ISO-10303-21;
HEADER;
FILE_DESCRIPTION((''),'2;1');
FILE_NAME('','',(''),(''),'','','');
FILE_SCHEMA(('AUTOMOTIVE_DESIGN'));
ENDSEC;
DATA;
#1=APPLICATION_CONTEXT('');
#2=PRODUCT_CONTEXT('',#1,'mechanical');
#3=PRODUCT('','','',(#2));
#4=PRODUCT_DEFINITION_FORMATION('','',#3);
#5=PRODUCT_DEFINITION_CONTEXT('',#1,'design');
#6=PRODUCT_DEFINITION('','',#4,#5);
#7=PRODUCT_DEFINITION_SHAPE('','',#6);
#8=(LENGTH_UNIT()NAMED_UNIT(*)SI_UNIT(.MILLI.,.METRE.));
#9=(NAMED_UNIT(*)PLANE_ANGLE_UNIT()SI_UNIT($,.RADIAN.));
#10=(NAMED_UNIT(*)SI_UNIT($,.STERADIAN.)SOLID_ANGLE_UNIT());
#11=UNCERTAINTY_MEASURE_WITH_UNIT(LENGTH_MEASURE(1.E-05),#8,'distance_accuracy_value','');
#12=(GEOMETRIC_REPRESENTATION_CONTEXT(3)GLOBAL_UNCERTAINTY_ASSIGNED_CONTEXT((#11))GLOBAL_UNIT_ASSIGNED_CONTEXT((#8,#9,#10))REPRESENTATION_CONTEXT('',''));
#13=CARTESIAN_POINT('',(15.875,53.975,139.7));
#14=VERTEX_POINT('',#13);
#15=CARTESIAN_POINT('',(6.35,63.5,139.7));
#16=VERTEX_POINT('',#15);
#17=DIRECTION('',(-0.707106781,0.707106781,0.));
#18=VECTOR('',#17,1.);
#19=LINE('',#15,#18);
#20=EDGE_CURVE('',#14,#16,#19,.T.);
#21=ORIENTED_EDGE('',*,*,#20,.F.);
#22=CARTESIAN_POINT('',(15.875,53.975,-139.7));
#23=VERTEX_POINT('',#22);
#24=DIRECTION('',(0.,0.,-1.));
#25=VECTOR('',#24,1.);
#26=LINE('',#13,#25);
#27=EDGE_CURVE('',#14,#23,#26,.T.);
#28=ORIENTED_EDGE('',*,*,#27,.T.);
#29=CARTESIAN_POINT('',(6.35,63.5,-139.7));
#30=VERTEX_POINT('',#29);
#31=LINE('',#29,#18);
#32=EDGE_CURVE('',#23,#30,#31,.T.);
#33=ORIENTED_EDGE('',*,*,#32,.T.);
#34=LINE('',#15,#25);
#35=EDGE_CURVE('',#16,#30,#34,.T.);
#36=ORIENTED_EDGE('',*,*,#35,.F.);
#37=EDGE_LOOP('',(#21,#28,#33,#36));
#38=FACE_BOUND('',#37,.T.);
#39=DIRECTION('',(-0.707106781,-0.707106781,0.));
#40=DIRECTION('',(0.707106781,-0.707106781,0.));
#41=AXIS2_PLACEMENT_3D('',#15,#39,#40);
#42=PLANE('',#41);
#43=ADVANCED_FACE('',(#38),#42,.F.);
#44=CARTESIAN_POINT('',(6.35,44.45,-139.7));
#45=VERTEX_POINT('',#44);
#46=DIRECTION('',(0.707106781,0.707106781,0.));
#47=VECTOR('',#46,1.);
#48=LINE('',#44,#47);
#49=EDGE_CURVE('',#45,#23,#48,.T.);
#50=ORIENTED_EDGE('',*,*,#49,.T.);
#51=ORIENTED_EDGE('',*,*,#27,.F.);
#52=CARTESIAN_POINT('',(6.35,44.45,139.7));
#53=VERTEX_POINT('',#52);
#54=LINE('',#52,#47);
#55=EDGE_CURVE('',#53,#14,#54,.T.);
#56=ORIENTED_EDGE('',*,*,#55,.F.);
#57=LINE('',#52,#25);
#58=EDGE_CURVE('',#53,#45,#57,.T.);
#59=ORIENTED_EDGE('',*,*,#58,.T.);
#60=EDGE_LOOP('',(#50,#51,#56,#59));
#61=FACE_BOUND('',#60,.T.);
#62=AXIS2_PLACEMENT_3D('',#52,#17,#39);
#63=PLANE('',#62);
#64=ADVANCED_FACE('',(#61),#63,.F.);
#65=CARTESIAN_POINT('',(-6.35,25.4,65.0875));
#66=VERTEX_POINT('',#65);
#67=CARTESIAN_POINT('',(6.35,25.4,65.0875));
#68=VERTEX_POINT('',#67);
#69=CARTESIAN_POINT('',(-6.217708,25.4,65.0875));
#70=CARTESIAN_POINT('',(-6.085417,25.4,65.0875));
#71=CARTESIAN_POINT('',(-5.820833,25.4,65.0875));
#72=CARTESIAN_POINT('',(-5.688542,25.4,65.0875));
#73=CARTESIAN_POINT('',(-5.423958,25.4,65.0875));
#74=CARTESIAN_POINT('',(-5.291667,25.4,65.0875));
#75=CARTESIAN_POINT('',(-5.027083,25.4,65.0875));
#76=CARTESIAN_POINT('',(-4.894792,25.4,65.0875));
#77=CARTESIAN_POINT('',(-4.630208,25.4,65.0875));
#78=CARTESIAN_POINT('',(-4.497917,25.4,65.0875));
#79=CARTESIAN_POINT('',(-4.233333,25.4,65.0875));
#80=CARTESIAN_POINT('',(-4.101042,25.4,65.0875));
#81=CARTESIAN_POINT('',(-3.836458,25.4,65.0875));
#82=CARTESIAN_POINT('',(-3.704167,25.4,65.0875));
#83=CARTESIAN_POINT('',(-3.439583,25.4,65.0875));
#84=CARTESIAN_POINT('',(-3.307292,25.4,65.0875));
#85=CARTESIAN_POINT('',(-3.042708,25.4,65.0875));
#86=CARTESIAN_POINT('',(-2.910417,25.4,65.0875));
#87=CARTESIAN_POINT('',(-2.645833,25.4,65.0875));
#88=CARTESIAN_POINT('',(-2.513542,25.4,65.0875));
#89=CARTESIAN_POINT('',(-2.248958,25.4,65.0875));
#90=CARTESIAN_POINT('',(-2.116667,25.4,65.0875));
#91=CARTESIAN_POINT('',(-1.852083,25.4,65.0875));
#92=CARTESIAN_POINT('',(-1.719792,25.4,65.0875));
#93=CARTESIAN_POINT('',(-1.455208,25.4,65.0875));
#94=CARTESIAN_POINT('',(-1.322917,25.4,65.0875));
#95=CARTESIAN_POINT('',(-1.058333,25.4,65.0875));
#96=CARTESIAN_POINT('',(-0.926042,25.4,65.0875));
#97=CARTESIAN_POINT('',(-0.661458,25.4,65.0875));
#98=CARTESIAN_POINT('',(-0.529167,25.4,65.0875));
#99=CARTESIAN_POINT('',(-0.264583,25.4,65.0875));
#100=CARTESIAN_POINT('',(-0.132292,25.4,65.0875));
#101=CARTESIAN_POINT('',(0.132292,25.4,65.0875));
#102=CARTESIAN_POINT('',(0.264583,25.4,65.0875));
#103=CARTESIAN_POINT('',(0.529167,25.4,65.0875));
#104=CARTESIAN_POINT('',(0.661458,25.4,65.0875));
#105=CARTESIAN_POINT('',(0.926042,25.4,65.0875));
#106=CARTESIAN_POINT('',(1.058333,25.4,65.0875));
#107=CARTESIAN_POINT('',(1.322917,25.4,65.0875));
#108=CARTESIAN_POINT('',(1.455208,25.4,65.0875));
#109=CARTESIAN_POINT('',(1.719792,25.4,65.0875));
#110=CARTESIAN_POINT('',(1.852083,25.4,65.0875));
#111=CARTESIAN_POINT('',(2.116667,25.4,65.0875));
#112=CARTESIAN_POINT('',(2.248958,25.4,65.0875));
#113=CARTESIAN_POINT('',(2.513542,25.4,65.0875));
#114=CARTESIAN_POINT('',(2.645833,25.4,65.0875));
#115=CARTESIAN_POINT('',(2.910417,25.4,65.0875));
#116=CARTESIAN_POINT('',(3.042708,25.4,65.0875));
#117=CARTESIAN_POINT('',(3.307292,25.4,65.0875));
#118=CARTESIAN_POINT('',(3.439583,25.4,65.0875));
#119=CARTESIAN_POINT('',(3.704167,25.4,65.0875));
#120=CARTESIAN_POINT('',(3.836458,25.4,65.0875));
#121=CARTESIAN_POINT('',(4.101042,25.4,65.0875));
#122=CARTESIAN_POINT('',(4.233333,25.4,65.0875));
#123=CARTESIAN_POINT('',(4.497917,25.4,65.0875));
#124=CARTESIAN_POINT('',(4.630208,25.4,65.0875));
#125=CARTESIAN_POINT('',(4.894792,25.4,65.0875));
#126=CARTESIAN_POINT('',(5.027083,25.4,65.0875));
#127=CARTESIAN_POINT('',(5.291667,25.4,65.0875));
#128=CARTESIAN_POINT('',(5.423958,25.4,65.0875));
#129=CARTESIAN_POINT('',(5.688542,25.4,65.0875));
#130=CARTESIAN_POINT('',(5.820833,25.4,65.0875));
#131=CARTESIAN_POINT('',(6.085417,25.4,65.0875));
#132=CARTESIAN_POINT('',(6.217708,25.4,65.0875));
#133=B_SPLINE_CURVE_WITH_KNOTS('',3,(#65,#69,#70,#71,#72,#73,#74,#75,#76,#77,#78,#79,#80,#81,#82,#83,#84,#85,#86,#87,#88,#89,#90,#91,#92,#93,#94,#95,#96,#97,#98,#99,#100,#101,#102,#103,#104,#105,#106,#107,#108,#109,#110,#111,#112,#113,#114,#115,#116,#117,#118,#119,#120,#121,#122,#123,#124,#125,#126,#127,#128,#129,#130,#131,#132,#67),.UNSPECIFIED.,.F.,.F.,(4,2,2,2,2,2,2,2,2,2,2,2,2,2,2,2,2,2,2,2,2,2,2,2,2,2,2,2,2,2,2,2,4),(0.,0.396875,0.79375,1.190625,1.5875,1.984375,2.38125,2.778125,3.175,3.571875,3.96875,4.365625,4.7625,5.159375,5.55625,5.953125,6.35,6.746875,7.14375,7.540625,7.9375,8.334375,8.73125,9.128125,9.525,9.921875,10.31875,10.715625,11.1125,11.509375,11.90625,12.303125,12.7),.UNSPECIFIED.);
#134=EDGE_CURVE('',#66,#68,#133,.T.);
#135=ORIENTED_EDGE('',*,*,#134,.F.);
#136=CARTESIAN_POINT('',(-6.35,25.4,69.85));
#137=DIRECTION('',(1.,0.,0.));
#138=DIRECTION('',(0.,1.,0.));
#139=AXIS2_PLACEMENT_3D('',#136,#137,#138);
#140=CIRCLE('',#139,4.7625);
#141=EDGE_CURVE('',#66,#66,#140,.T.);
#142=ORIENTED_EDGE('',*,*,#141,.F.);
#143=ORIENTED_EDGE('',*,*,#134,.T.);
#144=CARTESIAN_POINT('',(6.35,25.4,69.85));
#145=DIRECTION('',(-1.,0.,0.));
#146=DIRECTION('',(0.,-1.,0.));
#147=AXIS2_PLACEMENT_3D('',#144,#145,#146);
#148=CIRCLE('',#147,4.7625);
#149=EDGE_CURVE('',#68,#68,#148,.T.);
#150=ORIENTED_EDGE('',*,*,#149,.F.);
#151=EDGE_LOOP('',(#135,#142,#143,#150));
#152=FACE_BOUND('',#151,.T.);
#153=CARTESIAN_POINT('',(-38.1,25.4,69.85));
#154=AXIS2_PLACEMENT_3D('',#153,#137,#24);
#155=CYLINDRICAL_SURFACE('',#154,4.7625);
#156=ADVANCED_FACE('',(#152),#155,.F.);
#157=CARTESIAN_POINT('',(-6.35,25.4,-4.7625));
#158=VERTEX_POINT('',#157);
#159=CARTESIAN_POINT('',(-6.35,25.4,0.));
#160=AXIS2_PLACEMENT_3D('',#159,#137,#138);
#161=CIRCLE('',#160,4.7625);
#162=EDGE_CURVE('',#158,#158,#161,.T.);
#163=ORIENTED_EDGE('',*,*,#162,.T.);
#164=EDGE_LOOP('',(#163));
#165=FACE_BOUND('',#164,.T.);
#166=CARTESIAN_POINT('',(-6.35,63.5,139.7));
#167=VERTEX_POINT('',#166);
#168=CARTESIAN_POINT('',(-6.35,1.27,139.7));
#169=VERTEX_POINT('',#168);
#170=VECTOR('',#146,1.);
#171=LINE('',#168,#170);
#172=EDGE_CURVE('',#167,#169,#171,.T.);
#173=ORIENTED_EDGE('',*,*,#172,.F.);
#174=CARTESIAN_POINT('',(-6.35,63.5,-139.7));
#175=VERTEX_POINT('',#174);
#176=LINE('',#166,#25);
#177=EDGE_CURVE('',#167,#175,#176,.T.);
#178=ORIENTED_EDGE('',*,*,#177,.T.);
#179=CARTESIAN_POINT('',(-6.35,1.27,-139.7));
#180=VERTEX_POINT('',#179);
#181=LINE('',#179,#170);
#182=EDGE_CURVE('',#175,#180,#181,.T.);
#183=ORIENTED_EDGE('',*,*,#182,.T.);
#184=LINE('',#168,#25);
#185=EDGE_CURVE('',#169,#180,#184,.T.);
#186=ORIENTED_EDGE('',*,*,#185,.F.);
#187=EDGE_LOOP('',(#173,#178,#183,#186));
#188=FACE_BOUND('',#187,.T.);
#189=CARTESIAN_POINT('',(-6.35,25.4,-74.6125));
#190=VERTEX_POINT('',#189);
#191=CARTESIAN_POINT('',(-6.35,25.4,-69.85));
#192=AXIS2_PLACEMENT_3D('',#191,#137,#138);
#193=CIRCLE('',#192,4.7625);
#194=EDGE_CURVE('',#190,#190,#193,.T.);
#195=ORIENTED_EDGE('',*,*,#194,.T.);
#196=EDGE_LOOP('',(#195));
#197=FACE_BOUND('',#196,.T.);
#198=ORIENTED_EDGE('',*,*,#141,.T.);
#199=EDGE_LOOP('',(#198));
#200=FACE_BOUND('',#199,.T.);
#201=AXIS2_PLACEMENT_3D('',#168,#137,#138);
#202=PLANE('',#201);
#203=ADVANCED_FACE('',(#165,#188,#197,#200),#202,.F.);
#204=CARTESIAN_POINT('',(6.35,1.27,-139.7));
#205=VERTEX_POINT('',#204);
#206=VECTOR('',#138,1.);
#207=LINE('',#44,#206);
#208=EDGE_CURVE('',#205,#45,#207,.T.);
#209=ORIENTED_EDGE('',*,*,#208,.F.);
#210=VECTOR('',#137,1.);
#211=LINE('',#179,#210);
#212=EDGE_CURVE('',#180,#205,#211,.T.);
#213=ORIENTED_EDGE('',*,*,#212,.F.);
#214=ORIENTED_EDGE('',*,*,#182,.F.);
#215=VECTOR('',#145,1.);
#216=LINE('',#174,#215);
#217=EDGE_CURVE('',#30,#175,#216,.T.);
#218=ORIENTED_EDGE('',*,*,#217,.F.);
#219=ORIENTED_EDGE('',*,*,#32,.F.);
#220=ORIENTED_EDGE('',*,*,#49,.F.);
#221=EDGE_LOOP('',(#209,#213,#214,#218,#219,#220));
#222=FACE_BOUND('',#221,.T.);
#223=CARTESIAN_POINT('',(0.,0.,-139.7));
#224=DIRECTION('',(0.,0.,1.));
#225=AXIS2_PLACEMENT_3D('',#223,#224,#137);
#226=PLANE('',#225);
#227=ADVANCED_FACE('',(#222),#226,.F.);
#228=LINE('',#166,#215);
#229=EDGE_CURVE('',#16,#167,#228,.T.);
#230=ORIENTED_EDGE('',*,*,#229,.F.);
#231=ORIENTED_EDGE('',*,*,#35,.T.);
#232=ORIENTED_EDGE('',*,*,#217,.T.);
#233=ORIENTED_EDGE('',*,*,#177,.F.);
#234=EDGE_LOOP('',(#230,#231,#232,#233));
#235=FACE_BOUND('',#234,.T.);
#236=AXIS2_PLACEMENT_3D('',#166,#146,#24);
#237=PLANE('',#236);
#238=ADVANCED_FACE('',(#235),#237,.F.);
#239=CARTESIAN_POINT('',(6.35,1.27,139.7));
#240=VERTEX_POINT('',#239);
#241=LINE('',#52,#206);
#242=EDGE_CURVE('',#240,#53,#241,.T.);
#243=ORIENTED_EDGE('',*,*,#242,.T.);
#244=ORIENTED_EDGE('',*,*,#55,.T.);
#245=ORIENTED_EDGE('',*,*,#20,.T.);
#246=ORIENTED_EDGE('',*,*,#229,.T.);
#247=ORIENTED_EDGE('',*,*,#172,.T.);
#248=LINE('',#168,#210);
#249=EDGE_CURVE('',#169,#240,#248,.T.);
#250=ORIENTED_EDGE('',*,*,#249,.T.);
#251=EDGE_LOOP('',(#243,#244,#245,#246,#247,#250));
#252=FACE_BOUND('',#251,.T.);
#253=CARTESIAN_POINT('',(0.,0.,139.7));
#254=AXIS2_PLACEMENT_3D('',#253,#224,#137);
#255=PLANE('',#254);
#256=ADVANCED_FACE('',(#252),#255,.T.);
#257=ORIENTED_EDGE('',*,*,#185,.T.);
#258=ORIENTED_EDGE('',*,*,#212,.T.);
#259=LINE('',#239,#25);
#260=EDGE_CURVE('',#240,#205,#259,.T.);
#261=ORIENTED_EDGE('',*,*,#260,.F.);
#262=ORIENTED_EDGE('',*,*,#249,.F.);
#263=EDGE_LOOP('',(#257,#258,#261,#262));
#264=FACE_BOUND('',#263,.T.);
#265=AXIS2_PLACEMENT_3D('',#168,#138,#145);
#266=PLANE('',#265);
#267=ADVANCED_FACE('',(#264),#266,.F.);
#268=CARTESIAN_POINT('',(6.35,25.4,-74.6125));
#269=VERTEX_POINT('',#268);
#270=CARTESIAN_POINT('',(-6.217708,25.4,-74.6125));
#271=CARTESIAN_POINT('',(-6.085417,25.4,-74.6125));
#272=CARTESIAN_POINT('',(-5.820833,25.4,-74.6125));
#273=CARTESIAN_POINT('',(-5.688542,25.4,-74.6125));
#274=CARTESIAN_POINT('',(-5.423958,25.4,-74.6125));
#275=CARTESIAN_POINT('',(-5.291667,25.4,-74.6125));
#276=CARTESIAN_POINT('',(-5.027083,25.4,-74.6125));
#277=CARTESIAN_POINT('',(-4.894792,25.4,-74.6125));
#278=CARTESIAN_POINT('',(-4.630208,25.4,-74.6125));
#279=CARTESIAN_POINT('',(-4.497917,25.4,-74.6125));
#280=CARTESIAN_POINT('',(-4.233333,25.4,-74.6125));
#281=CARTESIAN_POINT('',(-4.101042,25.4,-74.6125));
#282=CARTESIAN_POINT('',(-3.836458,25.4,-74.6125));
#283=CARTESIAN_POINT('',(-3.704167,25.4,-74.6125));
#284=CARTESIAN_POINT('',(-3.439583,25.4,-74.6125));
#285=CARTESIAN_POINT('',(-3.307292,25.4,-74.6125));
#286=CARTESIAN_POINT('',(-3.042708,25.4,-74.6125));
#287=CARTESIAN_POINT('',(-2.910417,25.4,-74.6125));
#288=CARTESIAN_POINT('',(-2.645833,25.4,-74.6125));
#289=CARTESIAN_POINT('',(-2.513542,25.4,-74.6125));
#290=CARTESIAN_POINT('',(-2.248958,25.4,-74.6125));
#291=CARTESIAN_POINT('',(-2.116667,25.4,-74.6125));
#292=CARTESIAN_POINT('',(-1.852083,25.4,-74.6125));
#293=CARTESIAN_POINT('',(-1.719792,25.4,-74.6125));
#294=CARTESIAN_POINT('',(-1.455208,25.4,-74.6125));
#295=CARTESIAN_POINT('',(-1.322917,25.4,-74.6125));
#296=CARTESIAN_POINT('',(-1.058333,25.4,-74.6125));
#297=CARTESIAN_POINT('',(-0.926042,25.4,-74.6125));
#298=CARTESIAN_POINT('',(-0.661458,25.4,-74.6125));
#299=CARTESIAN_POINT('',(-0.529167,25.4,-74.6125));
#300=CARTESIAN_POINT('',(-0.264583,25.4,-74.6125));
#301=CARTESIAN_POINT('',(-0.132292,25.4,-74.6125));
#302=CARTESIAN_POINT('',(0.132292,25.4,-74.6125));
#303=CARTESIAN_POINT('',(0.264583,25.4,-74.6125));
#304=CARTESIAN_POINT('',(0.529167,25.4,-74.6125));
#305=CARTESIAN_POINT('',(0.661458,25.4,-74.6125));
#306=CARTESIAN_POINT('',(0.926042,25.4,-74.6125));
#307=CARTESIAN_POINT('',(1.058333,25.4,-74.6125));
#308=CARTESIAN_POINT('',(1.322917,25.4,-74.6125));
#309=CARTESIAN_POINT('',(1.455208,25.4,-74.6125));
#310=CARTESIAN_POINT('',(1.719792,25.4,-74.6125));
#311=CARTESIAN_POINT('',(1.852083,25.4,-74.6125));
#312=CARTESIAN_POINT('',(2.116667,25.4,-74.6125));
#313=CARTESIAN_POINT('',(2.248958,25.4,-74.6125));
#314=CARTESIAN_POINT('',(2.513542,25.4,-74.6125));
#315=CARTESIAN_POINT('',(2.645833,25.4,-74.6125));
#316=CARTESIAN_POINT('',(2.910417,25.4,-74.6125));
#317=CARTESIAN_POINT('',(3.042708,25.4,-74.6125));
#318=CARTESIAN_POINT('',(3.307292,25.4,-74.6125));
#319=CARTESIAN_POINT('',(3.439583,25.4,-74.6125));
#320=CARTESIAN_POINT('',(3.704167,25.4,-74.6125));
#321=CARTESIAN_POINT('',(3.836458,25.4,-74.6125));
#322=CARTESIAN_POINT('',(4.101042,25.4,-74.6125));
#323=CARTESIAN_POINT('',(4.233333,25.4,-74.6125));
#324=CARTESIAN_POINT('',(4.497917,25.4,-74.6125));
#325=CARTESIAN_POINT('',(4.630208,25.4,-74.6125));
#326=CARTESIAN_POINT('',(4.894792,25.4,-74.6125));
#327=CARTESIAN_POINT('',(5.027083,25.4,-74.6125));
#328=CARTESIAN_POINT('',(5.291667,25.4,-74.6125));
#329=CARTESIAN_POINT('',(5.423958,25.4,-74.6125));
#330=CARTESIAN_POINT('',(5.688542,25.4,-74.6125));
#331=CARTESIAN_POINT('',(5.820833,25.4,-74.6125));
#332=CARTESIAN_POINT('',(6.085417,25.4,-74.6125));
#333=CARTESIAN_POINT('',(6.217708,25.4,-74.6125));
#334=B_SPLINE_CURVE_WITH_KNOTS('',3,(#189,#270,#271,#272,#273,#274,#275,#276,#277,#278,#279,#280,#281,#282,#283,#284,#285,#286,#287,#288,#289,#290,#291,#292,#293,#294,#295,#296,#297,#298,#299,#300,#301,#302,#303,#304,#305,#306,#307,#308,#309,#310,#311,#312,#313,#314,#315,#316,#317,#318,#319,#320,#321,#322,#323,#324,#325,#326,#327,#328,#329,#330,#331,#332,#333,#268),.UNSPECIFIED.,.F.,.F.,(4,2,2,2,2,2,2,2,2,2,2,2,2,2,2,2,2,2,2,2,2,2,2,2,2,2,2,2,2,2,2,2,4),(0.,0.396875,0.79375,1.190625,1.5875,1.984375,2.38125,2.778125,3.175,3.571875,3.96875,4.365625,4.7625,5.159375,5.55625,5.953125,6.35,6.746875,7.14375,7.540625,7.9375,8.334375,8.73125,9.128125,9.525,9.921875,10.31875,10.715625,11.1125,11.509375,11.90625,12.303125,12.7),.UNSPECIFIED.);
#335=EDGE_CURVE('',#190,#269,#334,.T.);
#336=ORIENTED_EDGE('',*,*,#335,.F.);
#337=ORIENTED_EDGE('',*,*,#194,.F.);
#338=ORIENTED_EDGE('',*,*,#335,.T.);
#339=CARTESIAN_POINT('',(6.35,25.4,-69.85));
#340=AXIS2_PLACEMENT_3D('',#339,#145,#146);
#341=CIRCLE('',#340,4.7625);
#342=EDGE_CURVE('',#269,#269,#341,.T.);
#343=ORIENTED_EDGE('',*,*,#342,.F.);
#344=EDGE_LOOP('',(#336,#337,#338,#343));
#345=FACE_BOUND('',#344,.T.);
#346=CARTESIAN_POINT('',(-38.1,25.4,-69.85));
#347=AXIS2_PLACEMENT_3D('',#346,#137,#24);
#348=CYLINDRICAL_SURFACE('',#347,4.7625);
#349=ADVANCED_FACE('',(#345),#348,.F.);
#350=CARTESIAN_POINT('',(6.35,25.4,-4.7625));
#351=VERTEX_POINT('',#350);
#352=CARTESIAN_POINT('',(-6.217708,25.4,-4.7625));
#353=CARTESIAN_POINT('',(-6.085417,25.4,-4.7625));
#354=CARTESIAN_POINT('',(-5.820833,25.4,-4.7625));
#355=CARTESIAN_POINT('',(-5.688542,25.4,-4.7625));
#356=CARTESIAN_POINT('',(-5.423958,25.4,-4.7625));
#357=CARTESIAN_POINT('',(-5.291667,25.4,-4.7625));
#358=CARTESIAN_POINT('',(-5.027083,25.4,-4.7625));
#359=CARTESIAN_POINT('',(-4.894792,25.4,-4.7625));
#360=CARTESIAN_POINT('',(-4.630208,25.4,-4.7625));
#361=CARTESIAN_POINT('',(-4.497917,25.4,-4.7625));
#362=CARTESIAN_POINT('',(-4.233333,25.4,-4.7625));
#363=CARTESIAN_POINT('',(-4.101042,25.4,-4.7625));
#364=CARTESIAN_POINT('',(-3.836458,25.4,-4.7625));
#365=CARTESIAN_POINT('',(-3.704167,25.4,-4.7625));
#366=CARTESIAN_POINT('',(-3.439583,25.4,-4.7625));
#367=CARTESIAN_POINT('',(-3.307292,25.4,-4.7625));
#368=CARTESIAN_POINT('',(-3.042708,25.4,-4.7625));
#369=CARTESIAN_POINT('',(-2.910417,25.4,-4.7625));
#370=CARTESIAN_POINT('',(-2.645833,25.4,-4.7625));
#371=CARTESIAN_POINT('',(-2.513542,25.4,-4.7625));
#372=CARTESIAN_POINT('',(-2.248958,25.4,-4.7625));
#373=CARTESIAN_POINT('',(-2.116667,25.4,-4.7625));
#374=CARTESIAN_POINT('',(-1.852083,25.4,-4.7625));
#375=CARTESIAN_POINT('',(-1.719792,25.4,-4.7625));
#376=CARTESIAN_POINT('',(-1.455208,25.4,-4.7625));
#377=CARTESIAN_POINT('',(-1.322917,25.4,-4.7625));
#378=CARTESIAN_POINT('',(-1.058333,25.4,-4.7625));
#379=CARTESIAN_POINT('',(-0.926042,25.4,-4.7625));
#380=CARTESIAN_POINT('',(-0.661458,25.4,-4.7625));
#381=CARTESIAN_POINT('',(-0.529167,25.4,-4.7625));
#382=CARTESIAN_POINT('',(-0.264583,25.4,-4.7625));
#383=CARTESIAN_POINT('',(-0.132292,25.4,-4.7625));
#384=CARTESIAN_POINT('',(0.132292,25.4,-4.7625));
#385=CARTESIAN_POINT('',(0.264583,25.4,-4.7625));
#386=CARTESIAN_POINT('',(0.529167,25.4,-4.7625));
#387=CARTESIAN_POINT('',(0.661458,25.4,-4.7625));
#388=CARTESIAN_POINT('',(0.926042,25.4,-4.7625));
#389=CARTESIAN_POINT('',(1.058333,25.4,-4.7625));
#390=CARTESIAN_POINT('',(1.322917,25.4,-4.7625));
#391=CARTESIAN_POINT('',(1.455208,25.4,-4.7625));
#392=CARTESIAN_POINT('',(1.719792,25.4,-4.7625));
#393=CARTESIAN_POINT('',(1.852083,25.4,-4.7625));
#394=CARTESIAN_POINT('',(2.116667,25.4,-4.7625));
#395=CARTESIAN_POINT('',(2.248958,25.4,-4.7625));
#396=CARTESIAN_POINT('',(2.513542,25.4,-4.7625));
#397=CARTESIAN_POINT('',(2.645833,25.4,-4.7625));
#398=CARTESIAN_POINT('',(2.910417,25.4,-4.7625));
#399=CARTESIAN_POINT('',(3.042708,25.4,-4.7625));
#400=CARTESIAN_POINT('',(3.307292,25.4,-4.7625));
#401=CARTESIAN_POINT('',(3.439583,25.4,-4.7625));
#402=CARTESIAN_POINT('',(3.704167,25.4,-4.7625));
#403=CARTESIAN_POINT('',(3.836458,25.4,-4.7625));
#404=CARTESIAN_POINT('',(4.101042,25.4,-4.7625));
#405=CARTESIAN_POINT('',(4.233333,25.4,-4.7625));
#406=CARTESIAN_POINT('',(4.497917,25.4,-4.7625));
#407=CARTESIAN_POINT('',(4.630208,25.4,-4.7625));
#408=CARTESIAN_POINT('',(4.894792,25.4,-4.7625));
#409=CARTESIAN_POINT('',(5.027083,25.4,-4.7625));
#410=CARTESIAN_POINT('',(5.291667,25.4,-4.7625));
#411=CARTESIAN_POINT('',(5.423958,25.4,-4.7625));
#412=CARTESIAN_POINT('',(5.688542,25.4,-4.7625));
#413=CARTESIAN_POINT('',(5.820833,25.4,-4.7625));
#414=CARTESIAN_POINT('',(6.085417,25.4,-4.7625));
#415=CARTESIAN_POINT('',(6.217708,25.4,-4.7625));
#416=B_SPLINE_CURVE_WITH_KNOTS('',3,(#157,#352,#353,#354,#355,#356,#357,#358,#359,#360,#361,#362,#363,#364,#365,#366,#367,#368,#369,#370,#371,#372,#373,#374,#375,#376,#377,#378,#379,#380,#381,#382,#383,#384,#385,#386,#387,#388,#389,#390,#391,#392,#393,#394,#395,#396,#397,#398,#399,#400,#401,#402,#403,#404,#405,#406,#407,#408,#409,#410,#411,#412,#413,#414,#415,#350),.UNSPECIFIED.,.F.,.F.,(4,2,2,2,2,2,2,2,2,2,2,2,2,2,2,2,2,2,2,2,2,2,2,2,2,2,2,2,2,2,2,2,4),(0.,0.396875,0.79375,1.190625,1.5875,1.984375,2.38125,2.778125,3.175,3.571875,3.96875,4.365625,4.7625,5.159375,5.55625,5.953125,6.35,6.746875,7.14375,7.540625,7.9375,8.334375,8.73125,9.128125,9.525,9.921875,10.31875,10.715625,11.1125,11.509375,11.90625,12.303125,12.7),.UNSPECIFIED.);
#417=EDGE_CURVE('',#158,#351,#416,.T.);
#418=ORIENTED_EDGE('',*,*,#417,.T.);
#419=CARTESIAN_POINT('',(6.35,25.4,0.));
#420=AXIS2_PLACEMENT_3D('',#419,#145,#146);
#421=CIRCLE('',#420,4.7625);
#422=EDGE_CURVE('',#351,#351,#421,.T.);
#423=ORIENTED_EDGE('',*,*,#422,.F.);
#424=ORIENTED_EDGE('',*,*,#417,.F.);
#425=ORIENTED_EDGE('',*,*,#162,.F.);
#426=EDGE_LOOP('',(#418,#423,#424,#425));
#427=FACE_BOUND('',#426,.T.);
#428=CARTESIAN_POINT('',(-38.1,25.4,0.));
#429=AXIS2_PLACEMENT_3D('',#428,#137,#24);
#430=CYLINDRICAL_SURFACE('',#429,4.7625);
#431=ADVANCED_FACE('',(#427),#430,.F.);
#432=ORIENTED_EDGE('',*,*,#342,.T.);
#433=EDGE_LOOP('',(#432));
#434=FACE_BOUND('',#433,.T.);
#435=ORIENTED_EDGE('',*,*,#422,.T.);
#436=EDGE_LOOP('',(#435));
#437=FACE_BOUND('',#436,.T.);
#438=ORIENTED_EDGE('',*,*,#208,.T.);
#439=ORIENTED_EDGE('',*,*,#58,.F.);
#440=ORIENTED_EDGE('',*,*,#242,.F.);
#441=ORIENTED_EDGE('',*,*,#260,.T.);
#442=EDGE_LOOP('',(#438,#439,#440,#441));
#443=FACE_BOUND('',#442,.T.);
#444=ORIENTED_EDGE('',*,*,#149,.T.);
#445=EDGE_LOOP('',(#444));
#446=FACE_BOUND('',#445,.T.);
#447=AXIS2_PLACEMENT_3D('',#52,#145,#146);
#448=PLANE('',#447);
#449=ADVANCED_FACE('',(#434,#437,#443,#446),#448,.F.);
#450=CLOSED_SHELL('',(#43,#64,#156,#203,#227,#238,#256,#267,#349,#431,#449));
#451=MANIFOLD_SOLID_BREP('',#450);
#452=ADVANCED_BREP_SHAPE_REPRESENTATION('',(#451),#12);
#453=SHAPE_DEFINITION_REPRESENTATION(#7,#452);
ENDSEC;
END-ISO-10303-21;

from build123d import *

# Parameters (mm, degrees)
BOSS_EXTRUDE1_DEPTH = 139.7
SKETCH2_R           = 4.7625
CUT_EXTRUDE1_DEPTH  = 38.1


with BuildPart() as part:
    # Sketch1 → Boss-Extrude1 (new, symmetric)
    with BuildSketch(Plane.XY):
        Polygon((6.35, 63.5), (15.875, 53.975), (6.35, 44.45), (6.35, 1.27), (-6.35, 1.27), (-6.35, 63.5), align=None)
    extrude(amount=BOSS_EXTRUDE1_DEPTH, both=True)

    # Sketch2 → Cut-Extrude1 (cut, symmetric)
    with BuildSketch(Plane(origin=(0, 0, 0), x_dir=(0, 0, -1), z_dir=(1, 0, 0))):
        with Locations((-69.85, 25.4)):
            Circle(SKETCH2_R)
        with Locations((0, 25.4)):
            Circle(SKETCH2_R)
        with Locations((69.85, 25.4)):
            Circle(SKETCH2_R)
    extrude(amount=CUT_EXTRUDE1_DEPTH, both=True, mode=Mode.SUBTRACT)


solid = part.part
